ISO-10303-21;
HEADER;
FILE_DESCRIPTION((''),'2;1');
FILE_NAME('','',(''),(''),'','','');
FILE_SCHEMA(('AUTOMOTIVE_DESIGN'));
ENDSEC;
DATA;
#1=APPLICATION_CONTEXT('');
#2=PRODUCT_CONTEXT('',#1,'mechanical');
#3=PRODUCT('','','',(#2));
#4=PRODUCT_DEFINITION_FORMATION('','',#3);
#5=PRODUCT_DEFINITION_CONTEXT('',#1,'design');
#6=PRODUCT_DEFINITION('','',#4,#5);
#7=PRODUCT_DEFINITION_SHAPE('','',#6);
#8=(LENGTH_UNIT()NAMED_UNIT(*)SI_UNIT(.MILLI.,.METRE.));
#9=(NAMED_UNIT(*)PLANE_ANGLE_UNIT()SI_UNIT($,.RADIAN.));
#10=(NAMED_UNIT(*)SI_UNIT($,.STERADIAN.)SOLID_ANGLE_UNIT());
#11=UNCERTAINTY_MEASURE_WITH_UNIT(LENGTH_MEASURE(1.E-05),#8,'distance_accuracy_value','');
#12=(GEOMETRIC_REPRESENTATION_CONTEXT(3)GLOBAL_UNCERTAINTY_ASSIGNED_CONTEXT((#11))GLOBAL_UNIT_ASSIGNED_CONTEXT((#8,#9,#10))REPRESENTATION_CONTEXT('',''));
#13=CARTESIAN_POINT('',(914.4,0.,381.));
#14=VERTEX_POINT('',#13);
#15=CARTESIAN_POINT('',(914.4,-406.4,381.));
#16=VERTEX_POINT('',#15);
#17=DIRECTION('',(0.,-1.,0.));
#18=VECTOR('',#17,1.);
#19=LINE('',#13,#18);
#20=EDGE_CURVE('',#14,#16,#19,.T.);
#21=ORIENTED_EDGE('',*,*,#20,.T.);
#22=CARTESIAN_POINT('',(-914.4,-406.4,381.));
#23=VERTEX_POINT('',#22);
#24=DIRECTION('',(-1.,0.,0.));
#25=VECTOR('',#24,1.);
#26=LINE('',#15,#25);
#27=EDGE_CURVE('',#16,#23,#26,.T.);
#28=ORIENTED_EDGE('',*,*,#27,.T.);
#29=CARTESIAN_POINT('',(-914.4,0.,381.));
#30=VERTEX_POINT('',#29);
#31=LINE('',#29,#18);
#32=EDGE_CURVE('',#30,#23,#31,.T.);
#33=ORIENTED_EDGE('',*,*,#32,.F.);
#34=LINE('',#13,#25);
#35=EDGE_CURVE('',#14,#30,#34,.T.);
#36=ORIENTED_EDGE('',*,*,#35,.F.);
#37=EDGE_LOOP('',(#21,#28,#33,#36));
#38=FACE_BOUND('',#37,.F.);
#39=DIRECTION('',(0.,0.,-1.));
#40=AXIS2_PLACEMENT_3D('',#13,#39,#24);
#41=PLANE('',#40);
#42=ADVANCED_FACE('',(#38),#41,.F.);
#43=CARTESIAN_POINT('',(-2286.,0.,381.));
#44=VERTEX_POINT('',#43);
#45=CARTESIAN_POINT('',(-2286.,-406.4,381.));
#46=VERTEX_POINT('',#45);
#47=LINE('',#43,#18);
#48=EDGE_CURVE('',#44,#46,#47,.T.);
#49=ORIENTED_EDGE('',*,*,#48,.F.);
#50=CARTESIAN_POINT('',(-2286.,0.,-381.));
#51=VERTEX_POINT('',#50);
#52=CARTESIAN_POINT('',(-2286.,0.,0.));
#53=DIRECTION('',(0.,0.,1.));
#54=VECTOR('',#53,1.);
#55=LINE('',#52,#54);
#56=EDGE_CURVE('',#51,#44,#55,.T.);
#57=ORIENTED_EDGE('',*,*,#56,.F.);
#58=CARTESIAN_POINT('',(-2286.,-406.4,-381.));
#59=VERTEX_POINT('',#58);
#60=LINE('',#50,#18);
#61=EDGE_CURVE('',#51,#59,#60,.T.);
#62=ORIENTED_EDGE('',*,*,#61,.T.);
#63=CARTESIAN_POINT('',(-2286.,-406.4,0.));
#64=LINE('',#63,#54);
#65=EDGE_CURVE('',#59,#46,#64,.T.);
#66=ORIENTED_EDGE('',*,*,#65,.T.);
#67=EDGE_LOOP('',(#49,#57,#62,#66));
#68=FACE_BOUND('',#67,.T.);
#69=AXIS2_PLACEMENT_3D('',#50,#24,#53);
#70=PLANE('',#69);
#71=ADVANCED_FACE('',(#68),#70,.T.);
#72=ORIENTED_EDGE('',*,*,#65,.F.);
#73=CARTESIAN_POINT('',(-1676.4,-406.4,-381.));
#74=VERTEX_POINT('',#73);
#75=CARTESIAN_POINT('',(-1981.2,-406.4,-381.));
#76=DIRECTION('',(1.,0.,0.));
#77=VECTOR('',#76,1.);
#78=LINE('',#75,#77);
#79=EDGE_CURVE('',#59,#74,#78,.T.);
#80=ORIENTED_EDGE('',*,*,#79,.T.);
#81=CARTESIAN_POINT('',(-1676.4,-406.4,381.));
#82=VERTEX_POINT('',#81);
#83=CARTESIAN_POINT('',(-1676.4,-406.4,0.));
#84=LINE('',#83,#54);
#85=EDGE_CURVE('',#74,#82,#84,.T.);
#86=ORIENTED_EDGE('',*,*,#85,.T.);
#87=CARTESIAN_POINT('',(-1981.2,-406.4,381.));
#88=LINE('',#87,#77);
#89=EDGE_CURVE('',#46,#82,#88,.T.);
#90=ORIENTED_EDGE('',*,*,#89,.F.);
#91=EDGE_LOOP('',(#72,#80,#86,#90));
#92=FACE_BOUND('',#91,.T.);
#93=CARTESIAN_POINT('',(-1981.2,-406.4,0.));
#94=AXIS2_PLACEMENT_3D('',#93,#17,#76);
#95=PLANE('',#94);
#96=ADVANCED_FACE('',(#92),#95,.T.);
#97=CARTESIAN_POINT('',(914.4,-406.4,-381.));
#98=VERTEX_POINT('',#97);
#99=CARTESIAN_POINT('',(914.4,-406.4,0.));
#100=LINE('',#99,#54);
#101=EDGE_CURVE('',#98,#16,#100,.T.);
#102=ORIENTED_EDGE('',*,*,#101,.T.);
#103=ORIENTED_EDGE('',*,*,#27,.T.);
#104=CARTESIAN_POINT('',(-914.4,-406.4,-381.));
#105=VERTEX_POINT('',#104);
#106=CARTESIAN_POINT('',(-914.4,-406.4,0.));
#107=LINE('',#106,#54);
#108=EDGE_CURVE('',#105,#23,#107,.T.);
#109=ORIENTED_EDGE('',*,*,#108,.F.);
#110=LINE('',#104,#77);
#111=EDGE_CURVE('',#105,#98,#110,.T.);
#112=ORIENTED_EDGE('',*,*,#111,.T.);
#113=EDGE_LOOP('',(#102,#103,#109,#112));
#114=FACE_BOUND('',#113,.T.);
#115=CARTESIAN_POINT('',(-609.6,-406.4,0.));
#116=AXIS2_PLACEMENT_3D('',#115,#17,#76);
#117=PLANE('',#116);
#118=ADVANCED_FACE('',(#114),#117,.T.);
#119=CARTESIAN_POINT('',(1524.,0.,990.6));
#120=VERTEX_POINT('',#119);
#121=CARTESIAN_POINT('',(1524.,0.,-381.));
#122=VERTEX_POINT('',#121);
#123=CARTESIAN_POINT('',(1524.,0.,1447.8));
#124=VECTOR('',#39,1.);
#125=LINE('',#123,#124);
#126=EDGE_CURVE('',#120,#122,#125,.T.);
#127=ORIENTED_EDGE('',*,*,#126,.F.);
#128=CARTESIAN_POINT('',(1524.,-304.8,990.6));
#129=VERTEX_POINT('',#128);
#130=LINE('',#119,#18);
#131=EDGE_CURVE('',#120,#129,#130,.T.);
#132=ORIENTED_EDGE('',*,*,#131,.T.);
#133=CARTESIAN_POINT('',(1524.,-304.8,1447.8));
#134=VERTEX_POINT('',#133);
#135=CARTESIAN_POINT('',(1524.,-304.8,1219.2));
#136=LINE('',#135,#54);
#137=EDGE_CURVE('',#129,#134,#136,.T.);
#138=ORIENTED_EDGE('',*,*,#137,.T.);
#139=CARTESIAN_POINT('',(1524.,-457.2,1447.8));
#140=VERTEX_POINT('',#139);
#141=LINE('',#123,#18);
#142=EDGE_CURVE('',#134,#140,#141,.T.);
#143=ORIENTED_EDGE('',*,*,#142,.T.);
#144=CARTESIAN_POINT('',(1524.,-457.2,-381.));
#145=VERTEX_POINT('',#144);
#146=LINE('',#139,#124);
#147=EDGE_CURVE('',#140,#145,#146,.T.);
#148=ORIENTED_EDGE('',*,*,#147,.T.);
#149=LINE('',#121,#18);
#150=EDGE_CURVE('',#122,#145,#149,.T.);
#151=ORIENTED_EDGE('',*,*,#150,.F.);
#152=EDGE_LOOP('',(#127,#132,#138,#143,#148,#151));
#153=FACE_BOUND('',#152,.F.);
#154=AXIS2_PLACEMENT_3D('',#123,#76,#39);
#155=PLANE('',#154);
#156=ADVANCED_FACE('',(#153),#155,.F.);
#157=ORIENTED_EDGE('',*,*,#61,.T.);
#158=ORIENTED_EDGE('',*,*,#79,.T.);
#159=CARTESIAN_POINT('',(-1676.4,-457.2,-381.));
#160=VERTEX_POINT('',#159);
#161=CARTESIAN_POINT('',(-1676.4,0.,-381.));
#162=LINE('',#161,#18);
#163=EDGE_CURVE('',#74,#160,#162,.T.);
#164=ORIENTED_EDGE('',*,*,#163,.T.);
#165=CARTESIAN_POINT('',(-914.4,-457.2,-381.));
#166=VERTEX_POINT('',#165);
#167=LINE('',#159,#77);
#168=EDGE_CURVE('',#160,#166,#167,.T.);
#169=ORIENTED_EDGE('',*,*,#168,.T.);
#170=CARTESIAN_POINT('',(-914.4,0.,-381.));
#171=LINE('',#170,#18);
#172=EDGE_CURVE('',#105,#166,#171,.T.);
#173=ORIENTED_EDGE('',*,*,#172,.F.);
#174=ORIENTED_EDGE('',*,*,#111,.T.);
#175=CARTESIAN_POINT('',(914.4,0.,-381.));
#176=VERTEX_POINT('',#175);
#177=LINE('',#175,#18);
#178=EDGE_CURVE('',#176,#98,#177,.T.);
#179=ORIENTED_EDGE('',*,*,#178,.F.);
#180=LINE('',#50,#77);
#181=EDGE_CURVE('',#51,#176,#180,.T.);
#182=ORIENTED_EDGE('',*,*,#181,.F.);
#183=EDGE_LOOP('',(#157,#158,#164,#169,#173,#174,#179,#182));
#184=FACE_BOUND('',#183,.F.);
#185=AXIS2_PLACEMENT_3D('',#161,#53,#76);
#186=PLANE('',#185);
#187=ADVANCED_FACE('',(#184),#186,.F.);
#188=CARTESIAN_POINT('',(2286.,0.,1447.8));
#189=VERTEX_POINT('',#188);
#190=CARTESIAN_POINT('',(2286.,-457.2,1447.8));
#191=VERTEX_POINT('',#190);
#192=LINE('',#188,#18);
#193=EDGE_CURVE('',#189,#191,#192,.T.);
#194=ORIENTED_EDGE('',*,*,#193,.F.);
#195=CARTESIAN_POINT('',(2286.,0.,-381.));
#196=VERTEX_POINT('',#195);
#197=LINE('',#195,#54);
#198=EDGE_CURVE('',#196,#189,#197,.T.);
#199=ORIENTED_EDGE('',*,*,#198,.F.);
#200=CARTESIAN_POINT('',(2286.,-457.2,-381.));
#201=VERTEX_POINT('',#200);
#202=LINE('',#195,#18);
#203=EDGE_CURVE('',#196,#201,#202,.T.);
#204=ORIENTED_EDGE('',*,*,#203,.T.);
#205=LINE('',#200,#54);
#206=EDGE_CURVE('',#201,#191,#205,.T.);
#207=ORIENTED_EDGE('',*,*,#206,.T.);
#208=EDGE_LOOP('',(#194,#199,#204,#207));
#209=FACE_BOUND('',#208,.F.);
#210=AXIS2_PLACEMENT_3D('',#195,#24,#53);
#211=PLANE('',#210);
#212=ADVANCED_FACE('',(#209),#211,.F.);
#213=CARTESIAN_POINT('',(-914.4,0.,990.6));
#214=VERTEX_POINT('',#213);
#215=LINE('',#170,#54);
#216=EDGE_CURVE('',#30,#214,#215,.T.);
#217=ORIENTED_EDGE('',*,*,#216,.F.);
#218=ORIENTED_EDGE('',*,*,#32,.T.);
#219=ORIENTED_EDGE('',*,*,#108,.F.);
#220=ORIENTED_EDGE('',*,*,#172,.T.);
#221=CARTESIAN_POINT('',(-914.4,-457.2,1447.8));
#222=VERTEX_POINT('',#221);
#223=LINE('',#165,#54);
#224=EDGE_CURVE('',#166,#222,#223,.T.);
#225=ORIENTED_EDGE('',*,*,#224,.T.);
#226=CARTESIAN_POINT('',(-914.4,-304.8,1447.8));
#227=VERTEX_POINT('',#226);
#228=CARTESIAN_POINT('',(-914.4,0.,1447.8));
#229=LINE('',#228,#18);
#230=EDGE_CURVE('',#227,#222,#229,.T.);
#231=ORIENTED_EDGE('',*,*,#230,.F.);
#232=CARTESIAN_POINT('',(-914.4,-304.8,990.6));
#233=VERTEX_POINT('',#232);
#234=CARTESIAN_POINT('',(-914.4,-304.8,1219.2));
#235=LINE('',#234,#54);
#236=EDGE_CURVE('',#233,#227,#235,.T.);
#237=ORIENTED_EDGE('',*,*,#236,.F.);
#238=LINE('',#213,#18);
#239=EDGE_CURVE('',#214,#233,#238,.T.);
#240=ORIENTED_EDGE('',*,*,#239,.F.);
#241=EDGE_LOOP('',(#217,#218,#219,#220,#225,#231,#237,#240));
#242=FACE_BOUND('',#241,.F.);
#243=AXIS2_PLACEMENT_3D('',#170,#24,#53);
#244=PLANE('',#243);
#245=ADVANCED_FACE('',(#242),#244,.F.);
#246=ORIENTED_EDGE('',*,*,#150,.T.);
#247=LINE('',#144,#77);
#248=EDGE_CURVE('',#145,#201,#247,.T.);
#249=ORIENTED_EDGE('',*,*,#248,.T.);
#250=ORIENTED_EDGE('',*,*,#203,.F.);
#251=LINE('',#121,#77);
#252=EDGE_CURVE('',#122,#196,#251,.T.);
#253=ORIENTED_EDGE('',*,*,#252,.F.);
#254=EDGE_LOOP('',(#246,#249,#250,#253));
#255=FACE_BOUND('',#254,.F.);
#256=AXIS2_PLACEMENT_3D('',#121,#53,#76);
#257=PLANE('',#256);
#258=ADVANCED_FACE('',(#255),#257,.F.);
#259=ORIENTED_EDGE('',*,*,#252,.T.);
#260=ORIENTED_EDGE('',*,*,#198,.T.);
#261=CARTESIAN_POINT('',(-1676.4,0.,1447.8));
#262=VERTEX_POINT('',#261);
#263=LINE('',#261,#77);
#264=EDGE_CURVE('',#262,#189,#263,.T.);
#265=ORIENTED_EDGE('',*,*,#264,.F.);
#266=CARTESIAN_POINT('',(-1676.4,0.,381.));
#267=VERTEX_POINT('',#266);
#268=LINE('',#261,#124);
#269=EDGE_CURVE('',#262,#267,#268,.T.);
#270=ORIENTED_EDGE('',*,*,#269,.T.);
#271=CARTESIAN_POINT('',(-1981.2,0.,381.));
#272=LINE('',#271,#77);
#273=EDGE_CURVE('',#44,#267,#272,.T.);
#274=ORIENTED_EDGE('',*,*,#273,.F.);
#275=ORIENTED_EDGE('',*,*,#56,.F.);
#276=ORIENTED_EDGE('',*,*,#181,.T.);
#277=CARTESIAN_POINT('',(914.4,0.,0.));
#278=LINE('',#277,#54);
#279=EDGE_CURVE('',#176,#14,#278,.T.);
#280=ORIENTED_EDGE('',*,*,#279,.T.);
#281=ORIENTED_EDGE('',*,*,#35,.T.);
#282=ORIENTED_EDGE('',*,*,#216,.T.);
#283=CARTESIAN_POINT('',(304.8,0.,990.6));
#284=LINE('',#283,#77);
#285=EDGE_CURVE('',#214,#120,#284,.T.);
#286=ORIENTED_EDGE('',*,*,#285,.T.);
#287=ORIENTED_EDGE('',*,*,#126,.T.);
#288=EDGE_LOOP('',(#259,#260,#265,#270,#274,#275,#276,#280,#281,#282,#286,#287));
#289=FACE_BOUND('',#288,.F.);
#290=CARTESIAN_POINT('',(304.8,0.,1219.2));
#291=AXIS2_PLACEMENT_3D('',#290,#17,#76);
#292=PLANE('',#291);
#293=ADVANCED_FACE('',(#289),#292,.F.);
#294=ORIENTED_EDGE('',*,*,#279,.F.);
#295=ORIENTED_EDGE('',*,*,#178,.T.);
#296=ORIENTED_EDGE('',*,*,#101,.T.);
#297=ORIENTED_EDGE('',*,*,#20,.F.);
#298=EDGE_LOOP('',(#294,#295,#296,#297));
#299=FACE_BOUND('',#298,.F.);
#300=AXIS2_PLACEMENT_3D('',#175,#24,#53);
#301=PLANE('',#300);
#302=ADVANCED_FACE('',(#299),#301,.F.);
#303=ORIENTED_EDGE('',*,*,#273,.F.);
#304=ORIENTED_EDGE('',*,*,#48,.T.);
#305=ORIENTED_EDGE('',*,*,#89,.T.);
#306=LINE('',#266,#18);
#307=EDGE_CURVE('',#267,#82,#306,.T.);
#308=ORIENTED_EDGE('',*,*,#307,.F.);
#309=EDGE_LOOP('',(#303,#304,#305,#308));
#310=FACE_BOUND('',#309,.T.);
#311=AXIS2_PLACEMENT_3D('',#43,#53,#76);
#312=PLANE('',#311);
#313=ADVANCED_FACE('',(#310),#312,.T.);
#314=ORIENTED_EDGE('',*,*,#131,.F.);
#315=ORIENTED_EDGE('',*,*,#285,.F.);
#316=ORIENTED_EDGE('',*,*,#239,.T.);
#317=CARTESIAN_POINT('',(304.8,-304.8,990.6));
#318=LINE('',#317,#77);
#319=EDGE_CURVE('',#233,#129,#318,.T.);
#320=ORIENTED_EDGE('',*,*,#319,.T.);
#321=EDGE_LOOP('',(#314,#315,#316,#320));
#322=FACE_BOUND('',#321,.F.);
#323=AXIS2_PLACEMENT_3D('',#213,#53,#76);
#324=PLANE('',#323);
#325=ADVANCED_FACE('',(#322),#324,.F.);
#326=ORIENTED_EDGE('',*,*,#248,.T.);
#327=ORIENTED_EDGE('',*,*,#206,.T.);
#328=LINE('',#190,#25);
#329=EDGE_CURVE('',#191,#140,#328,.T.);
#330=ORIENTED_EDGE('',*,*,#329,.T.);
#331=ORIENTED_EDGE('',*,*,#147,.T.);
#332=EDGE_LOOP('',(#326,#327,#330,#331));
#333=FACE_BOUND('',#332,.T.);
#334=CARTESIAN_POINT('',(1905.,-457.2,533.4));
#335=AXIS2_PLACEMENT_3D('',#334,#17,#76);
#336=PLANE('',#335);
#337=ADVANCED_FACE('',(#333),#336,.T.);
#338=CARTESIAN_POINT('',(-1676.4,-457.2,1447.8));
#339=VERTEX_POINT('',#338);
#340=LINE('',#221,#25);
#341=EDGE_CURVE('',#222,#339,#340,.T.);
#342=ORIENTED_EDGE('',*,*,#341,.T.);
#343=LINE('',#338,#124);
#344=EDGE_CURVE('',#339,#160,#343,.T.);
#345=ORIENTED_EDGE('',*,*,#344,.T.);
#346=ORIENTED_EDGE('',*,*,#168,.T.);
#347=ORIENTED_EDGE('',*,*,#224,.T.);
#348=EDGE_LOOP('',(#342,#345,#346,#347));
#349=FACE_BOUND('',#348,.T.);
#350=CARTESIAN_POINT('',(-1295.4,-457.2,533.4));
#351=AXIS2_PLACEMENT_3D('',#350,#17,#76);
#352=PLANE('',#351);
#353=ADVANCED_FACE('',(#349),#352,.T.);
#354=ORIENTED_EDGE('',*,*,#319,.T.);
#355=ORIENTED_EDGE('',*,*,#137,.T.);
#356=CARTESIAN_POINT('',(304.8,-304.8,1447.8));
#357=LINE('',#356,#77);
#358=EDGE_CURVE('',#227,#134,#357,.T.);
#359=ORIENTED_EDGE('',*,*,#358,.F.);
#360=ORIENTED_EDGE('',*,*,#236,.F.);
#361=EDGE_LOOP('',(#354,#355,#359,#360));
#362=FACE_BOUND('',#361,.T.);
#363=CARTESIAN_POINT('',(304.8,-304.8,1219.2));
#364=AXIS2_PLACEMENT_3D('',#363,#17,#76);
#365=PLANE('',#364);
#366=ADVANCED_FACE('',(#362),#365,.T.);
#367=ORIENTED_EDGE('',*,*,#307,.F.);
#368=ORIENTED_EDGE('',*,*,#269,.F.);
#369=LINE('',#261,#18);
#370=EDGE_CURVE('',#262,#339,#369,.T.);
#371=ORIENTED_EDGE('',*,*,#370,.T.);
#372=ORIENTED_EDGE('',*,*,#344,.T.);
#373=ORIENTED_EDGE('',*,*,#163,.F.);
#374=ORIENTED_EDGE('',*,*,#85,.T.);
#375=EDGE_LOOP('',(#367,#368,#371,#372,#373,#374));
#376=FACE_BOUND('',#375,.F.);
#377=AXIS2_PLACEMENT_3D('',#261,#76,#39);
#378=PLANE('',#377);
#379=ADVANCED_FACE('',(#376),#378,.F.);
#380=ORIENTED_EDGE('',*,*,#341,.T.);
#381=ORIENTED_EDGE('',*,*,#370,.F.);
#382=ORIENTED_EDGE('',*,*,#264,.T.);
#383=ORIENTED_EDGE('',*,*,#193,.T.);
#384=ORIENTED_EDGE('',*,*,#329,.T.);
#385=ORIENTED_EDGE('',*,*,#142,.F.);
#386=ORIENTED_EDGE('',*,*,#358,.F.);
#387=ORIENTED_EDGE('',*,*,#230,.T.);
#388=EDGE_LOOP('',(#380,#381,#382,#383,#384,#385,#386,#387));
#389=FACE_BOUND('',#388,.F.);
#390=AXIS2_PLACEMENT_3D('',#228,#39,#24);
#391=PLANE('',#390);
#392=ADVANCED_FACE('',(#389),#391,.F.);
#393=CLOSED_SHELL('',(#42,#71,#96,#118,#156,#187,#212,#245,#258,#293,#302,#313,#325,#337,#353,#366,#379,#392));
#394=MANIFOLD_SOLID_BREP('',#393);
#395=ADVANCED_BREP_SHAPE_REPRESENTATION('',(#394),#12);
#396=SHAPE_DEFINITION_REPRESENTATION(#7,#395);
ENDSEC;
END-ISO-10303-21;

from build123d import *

# Parameters (mm, degrees)
F0_W     = 609.6
F0_H     = 762
F1_DEPTH = 406.4
F2_DEPTH = 457.2
F0_W_2   = 2438.4
F0_H_2   = 457.2
F3_DEPTH = 304.8


with BuildPart() as f1:
    # F0 (on Front) → F1 (new body)
    with BuildSketch(Plane.XZ):
        with Locations((-609.6, 0)):
            Rectangle(F0_W, F0_H)
        Rectangle(F0_W, F0_H)
        with Locations((609.6, 0)):
            Rectangle(F0_W, F0_H)
        with Locations((-1981.2, 0)):
            Rectangle(F0_W, F0_H)
    extrude(amount=F1_DEPTH)

    # F0 (on Front) → F2 (join)
    with BuildSketch(Plane.XZ):
        Polygon((-1676.4, -381), (-914.4, -381), (-914.4, 381), (-914.4, 990.6), (-914.4, 1447.8), (-1676.4, 1447.8), (-1676.4, 381), align=None)
        Polygon((1524, 381), (1524, -381), (2286, -381), (2286, 1447.8), (1524, 1447.8), (1524, 990.6), align=None)
    extrude(amount=F2_DEPTH)

    # F0 (on Front) → F3 (join)
    with BuildSketch(Plane.XZ):
        with Locations((304.8, 1219.2)):
            Rectangle(F0_W_2, F0_H_2)
    extrude(amount=F3_DEPTH)


solid = f1.part
